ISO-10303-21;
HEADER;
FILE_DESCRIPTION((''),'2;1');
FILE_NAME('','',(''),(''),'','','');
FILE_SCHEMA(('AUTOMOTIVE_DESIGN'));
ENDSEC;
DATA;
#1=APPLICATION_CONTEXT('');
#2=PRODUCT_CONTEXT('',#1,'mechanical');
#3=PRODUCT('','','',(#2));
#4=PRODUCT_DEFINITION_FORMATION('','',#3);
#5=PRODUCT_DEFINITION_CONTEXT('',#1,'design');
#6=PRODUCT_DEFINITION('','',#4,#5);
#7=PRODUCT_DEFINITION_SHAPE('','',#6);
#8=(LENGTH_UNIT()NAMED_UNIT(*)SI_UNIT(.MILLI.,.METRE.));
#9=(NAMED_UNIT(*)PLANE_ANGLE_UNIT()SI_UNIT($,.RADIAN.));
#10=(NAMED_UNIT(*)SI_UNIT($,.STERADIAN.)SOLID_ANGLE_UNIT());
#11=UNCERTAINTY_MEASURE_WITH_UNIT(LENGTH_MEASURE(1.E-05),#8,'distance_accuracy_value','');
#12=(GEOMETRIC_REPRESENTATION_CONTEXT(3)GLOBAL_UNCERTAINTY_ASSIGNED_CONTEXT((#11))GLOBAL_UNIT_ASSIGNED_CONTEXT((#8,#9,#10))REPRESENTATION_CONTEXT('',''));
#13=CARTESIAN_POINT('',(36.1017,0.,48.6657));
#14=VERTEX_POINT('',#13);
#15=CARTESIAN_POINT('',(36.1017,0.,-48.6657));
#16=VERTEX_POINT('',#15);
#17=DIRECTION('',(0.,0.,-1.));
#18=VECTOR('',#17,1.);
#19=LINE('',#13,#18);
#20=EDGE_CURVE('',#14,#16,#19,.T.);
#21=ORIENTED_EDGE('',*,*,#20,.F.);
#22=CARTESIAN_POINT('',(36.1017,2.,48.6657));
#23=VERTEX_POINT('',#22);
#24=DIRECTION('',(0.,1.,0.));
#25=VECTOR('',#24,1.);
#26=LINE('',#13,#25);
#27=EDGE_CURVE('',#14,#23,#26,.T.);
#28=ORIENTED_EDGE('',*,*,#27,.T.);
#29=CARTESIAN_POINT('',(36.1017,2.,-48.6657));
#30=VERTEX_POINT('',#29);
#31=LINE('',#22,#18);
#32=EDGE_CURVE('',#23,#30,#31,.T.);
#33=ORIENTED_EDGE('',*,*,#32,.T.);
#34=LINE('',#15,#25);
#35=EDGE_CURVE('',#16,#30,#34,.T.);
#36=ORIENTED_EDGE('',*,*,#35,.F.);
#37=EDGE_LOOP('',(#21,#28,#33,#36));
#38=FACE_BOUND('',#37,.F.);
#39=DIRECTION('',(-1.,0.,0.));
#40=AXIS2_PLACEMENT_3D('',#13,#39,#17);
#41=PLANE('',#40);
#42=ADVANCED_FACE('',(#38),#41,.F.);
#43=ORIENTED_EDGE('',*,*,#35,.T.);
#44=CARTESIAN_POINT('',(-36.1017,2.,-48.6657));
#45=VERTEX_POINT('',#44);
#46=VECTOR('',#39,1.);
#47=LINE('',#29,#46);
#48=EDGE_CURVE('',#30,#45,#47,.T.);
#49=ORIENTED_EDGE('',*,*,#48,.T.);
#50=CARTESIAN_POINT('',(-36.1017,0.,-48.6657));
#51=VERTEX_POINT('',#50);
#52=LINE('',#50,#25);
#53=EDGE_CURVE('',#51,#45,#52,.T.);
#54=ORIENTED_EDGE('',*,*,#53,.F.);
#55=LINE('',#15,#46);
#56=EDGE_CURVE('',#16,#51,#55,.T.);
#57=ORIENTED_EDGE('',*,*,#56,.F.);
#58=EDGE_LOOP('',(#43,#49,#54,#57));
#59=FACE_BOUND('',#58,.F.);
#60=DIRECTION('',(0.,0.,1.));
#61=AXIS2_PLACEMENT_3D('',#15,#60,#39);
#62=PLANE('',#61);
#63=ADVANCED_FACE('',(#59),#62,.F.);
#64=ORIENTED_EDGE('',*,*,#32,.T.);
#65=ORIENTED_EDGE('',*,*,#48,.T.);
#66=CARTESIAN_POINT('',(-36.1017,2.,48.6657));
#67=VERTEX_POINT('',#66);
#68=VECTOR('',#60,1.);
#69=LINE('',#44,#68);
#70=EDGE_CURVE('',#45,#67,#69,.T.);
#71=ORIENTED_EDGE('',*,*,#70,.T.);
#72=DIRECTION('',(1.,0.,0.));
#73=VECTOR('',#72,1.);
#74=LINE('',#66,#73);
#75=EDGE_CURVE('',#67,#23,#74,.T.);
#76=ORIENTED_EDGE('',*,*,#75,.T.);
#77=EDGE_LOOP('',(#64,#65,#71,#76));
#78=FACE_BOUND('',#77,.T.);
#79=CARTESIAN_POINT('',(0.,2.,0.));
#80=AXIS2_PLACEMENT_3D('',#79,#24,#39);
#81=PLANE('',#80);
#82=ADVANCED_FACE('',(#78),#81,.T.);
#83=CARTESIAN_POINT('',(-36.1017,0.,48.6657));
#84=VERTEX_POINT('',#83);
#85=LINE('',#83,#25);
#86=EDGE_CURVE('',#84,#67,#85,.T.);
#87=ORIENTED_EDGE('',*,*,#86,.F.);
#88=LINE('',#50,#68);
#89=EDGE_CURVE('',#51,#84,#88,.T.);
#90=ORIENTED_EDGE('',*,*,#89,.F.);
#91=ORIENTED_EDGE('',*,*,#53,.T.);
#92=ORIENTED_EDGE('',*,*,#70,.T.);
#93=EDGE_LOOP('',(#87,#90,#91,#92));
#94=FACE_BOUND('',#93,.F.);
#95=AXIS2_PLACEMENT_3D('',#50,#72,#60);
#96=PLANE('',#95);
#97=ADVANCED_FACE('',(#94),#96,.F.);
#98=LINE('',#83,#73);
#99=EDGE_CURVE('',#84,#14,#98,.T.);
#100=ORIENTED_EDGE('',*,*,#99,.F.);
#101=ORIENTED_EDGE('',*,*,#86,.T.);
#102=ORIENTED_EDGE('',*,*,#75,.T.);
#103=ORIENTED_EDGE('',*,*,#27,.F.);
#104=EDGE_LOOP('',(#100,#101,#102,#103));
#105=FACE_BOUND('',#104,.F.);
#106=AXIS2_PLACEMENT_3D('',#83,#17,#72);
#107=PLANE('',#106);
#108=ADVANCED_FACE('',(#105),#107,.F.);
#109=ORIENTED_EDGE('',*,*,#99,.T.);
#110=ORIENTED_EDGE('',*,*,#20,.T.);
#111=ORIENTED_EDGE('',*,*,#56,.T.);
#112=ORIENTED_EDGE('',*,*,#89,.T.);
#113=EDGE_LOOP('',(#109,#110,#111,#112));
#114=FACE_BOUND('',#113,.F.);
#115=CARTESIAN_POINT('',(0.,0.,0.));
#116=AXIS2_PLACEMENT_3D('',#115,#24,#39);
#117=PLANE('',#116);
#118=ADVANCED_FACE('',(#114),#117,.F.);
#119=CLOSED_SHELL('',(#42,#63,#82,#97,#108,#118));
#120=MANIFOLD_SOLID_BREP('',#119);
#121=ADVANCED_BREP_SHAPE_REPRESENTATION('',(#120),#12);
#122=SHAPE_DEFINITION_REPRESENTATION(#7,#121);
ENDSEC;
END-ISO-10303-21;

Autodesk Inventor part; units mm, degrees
ref_plane "YZ Plane" through (0, 0, 0) normal (1, 0, 0) x (0, 1, 0)
ref_plane "XZ Plane" through (0, 0, 0) normal (0, 1, 0) x (-1, 0, 0)
ref_plane "XY Plane" through (0, 0, 0) normal (0, 0, 1) x (1, 0, 0)
sketch "Sketch1" plane through (0, 0, 0) normal (0, 1, 0) x (-1, 0, 0)
  line L0 (36.1017, 48.6657) -> (-36.1017, 48.6657)
  line L1 (-36.1017, 48.6657) -> (-36.1017, -48.6657)
  line L2 (-36.1017, -48.6657) -> (36.1017, -48.6657)
  line L3 (36.1017, -48.6657) -> (36.1017, 48.6657)
  line L4 (36.1017, 48.6657) -> (-36.1017, -48.6657) construction
  line L5 (-36.1017, 48.6657) -> (36.1017, -48.6657) construction
  point P0 (0, 0)
extrude "Extrusion1" add sketch "Sketch1" along normal blind 2
properties part number "plate" material "Stainless Steel"
